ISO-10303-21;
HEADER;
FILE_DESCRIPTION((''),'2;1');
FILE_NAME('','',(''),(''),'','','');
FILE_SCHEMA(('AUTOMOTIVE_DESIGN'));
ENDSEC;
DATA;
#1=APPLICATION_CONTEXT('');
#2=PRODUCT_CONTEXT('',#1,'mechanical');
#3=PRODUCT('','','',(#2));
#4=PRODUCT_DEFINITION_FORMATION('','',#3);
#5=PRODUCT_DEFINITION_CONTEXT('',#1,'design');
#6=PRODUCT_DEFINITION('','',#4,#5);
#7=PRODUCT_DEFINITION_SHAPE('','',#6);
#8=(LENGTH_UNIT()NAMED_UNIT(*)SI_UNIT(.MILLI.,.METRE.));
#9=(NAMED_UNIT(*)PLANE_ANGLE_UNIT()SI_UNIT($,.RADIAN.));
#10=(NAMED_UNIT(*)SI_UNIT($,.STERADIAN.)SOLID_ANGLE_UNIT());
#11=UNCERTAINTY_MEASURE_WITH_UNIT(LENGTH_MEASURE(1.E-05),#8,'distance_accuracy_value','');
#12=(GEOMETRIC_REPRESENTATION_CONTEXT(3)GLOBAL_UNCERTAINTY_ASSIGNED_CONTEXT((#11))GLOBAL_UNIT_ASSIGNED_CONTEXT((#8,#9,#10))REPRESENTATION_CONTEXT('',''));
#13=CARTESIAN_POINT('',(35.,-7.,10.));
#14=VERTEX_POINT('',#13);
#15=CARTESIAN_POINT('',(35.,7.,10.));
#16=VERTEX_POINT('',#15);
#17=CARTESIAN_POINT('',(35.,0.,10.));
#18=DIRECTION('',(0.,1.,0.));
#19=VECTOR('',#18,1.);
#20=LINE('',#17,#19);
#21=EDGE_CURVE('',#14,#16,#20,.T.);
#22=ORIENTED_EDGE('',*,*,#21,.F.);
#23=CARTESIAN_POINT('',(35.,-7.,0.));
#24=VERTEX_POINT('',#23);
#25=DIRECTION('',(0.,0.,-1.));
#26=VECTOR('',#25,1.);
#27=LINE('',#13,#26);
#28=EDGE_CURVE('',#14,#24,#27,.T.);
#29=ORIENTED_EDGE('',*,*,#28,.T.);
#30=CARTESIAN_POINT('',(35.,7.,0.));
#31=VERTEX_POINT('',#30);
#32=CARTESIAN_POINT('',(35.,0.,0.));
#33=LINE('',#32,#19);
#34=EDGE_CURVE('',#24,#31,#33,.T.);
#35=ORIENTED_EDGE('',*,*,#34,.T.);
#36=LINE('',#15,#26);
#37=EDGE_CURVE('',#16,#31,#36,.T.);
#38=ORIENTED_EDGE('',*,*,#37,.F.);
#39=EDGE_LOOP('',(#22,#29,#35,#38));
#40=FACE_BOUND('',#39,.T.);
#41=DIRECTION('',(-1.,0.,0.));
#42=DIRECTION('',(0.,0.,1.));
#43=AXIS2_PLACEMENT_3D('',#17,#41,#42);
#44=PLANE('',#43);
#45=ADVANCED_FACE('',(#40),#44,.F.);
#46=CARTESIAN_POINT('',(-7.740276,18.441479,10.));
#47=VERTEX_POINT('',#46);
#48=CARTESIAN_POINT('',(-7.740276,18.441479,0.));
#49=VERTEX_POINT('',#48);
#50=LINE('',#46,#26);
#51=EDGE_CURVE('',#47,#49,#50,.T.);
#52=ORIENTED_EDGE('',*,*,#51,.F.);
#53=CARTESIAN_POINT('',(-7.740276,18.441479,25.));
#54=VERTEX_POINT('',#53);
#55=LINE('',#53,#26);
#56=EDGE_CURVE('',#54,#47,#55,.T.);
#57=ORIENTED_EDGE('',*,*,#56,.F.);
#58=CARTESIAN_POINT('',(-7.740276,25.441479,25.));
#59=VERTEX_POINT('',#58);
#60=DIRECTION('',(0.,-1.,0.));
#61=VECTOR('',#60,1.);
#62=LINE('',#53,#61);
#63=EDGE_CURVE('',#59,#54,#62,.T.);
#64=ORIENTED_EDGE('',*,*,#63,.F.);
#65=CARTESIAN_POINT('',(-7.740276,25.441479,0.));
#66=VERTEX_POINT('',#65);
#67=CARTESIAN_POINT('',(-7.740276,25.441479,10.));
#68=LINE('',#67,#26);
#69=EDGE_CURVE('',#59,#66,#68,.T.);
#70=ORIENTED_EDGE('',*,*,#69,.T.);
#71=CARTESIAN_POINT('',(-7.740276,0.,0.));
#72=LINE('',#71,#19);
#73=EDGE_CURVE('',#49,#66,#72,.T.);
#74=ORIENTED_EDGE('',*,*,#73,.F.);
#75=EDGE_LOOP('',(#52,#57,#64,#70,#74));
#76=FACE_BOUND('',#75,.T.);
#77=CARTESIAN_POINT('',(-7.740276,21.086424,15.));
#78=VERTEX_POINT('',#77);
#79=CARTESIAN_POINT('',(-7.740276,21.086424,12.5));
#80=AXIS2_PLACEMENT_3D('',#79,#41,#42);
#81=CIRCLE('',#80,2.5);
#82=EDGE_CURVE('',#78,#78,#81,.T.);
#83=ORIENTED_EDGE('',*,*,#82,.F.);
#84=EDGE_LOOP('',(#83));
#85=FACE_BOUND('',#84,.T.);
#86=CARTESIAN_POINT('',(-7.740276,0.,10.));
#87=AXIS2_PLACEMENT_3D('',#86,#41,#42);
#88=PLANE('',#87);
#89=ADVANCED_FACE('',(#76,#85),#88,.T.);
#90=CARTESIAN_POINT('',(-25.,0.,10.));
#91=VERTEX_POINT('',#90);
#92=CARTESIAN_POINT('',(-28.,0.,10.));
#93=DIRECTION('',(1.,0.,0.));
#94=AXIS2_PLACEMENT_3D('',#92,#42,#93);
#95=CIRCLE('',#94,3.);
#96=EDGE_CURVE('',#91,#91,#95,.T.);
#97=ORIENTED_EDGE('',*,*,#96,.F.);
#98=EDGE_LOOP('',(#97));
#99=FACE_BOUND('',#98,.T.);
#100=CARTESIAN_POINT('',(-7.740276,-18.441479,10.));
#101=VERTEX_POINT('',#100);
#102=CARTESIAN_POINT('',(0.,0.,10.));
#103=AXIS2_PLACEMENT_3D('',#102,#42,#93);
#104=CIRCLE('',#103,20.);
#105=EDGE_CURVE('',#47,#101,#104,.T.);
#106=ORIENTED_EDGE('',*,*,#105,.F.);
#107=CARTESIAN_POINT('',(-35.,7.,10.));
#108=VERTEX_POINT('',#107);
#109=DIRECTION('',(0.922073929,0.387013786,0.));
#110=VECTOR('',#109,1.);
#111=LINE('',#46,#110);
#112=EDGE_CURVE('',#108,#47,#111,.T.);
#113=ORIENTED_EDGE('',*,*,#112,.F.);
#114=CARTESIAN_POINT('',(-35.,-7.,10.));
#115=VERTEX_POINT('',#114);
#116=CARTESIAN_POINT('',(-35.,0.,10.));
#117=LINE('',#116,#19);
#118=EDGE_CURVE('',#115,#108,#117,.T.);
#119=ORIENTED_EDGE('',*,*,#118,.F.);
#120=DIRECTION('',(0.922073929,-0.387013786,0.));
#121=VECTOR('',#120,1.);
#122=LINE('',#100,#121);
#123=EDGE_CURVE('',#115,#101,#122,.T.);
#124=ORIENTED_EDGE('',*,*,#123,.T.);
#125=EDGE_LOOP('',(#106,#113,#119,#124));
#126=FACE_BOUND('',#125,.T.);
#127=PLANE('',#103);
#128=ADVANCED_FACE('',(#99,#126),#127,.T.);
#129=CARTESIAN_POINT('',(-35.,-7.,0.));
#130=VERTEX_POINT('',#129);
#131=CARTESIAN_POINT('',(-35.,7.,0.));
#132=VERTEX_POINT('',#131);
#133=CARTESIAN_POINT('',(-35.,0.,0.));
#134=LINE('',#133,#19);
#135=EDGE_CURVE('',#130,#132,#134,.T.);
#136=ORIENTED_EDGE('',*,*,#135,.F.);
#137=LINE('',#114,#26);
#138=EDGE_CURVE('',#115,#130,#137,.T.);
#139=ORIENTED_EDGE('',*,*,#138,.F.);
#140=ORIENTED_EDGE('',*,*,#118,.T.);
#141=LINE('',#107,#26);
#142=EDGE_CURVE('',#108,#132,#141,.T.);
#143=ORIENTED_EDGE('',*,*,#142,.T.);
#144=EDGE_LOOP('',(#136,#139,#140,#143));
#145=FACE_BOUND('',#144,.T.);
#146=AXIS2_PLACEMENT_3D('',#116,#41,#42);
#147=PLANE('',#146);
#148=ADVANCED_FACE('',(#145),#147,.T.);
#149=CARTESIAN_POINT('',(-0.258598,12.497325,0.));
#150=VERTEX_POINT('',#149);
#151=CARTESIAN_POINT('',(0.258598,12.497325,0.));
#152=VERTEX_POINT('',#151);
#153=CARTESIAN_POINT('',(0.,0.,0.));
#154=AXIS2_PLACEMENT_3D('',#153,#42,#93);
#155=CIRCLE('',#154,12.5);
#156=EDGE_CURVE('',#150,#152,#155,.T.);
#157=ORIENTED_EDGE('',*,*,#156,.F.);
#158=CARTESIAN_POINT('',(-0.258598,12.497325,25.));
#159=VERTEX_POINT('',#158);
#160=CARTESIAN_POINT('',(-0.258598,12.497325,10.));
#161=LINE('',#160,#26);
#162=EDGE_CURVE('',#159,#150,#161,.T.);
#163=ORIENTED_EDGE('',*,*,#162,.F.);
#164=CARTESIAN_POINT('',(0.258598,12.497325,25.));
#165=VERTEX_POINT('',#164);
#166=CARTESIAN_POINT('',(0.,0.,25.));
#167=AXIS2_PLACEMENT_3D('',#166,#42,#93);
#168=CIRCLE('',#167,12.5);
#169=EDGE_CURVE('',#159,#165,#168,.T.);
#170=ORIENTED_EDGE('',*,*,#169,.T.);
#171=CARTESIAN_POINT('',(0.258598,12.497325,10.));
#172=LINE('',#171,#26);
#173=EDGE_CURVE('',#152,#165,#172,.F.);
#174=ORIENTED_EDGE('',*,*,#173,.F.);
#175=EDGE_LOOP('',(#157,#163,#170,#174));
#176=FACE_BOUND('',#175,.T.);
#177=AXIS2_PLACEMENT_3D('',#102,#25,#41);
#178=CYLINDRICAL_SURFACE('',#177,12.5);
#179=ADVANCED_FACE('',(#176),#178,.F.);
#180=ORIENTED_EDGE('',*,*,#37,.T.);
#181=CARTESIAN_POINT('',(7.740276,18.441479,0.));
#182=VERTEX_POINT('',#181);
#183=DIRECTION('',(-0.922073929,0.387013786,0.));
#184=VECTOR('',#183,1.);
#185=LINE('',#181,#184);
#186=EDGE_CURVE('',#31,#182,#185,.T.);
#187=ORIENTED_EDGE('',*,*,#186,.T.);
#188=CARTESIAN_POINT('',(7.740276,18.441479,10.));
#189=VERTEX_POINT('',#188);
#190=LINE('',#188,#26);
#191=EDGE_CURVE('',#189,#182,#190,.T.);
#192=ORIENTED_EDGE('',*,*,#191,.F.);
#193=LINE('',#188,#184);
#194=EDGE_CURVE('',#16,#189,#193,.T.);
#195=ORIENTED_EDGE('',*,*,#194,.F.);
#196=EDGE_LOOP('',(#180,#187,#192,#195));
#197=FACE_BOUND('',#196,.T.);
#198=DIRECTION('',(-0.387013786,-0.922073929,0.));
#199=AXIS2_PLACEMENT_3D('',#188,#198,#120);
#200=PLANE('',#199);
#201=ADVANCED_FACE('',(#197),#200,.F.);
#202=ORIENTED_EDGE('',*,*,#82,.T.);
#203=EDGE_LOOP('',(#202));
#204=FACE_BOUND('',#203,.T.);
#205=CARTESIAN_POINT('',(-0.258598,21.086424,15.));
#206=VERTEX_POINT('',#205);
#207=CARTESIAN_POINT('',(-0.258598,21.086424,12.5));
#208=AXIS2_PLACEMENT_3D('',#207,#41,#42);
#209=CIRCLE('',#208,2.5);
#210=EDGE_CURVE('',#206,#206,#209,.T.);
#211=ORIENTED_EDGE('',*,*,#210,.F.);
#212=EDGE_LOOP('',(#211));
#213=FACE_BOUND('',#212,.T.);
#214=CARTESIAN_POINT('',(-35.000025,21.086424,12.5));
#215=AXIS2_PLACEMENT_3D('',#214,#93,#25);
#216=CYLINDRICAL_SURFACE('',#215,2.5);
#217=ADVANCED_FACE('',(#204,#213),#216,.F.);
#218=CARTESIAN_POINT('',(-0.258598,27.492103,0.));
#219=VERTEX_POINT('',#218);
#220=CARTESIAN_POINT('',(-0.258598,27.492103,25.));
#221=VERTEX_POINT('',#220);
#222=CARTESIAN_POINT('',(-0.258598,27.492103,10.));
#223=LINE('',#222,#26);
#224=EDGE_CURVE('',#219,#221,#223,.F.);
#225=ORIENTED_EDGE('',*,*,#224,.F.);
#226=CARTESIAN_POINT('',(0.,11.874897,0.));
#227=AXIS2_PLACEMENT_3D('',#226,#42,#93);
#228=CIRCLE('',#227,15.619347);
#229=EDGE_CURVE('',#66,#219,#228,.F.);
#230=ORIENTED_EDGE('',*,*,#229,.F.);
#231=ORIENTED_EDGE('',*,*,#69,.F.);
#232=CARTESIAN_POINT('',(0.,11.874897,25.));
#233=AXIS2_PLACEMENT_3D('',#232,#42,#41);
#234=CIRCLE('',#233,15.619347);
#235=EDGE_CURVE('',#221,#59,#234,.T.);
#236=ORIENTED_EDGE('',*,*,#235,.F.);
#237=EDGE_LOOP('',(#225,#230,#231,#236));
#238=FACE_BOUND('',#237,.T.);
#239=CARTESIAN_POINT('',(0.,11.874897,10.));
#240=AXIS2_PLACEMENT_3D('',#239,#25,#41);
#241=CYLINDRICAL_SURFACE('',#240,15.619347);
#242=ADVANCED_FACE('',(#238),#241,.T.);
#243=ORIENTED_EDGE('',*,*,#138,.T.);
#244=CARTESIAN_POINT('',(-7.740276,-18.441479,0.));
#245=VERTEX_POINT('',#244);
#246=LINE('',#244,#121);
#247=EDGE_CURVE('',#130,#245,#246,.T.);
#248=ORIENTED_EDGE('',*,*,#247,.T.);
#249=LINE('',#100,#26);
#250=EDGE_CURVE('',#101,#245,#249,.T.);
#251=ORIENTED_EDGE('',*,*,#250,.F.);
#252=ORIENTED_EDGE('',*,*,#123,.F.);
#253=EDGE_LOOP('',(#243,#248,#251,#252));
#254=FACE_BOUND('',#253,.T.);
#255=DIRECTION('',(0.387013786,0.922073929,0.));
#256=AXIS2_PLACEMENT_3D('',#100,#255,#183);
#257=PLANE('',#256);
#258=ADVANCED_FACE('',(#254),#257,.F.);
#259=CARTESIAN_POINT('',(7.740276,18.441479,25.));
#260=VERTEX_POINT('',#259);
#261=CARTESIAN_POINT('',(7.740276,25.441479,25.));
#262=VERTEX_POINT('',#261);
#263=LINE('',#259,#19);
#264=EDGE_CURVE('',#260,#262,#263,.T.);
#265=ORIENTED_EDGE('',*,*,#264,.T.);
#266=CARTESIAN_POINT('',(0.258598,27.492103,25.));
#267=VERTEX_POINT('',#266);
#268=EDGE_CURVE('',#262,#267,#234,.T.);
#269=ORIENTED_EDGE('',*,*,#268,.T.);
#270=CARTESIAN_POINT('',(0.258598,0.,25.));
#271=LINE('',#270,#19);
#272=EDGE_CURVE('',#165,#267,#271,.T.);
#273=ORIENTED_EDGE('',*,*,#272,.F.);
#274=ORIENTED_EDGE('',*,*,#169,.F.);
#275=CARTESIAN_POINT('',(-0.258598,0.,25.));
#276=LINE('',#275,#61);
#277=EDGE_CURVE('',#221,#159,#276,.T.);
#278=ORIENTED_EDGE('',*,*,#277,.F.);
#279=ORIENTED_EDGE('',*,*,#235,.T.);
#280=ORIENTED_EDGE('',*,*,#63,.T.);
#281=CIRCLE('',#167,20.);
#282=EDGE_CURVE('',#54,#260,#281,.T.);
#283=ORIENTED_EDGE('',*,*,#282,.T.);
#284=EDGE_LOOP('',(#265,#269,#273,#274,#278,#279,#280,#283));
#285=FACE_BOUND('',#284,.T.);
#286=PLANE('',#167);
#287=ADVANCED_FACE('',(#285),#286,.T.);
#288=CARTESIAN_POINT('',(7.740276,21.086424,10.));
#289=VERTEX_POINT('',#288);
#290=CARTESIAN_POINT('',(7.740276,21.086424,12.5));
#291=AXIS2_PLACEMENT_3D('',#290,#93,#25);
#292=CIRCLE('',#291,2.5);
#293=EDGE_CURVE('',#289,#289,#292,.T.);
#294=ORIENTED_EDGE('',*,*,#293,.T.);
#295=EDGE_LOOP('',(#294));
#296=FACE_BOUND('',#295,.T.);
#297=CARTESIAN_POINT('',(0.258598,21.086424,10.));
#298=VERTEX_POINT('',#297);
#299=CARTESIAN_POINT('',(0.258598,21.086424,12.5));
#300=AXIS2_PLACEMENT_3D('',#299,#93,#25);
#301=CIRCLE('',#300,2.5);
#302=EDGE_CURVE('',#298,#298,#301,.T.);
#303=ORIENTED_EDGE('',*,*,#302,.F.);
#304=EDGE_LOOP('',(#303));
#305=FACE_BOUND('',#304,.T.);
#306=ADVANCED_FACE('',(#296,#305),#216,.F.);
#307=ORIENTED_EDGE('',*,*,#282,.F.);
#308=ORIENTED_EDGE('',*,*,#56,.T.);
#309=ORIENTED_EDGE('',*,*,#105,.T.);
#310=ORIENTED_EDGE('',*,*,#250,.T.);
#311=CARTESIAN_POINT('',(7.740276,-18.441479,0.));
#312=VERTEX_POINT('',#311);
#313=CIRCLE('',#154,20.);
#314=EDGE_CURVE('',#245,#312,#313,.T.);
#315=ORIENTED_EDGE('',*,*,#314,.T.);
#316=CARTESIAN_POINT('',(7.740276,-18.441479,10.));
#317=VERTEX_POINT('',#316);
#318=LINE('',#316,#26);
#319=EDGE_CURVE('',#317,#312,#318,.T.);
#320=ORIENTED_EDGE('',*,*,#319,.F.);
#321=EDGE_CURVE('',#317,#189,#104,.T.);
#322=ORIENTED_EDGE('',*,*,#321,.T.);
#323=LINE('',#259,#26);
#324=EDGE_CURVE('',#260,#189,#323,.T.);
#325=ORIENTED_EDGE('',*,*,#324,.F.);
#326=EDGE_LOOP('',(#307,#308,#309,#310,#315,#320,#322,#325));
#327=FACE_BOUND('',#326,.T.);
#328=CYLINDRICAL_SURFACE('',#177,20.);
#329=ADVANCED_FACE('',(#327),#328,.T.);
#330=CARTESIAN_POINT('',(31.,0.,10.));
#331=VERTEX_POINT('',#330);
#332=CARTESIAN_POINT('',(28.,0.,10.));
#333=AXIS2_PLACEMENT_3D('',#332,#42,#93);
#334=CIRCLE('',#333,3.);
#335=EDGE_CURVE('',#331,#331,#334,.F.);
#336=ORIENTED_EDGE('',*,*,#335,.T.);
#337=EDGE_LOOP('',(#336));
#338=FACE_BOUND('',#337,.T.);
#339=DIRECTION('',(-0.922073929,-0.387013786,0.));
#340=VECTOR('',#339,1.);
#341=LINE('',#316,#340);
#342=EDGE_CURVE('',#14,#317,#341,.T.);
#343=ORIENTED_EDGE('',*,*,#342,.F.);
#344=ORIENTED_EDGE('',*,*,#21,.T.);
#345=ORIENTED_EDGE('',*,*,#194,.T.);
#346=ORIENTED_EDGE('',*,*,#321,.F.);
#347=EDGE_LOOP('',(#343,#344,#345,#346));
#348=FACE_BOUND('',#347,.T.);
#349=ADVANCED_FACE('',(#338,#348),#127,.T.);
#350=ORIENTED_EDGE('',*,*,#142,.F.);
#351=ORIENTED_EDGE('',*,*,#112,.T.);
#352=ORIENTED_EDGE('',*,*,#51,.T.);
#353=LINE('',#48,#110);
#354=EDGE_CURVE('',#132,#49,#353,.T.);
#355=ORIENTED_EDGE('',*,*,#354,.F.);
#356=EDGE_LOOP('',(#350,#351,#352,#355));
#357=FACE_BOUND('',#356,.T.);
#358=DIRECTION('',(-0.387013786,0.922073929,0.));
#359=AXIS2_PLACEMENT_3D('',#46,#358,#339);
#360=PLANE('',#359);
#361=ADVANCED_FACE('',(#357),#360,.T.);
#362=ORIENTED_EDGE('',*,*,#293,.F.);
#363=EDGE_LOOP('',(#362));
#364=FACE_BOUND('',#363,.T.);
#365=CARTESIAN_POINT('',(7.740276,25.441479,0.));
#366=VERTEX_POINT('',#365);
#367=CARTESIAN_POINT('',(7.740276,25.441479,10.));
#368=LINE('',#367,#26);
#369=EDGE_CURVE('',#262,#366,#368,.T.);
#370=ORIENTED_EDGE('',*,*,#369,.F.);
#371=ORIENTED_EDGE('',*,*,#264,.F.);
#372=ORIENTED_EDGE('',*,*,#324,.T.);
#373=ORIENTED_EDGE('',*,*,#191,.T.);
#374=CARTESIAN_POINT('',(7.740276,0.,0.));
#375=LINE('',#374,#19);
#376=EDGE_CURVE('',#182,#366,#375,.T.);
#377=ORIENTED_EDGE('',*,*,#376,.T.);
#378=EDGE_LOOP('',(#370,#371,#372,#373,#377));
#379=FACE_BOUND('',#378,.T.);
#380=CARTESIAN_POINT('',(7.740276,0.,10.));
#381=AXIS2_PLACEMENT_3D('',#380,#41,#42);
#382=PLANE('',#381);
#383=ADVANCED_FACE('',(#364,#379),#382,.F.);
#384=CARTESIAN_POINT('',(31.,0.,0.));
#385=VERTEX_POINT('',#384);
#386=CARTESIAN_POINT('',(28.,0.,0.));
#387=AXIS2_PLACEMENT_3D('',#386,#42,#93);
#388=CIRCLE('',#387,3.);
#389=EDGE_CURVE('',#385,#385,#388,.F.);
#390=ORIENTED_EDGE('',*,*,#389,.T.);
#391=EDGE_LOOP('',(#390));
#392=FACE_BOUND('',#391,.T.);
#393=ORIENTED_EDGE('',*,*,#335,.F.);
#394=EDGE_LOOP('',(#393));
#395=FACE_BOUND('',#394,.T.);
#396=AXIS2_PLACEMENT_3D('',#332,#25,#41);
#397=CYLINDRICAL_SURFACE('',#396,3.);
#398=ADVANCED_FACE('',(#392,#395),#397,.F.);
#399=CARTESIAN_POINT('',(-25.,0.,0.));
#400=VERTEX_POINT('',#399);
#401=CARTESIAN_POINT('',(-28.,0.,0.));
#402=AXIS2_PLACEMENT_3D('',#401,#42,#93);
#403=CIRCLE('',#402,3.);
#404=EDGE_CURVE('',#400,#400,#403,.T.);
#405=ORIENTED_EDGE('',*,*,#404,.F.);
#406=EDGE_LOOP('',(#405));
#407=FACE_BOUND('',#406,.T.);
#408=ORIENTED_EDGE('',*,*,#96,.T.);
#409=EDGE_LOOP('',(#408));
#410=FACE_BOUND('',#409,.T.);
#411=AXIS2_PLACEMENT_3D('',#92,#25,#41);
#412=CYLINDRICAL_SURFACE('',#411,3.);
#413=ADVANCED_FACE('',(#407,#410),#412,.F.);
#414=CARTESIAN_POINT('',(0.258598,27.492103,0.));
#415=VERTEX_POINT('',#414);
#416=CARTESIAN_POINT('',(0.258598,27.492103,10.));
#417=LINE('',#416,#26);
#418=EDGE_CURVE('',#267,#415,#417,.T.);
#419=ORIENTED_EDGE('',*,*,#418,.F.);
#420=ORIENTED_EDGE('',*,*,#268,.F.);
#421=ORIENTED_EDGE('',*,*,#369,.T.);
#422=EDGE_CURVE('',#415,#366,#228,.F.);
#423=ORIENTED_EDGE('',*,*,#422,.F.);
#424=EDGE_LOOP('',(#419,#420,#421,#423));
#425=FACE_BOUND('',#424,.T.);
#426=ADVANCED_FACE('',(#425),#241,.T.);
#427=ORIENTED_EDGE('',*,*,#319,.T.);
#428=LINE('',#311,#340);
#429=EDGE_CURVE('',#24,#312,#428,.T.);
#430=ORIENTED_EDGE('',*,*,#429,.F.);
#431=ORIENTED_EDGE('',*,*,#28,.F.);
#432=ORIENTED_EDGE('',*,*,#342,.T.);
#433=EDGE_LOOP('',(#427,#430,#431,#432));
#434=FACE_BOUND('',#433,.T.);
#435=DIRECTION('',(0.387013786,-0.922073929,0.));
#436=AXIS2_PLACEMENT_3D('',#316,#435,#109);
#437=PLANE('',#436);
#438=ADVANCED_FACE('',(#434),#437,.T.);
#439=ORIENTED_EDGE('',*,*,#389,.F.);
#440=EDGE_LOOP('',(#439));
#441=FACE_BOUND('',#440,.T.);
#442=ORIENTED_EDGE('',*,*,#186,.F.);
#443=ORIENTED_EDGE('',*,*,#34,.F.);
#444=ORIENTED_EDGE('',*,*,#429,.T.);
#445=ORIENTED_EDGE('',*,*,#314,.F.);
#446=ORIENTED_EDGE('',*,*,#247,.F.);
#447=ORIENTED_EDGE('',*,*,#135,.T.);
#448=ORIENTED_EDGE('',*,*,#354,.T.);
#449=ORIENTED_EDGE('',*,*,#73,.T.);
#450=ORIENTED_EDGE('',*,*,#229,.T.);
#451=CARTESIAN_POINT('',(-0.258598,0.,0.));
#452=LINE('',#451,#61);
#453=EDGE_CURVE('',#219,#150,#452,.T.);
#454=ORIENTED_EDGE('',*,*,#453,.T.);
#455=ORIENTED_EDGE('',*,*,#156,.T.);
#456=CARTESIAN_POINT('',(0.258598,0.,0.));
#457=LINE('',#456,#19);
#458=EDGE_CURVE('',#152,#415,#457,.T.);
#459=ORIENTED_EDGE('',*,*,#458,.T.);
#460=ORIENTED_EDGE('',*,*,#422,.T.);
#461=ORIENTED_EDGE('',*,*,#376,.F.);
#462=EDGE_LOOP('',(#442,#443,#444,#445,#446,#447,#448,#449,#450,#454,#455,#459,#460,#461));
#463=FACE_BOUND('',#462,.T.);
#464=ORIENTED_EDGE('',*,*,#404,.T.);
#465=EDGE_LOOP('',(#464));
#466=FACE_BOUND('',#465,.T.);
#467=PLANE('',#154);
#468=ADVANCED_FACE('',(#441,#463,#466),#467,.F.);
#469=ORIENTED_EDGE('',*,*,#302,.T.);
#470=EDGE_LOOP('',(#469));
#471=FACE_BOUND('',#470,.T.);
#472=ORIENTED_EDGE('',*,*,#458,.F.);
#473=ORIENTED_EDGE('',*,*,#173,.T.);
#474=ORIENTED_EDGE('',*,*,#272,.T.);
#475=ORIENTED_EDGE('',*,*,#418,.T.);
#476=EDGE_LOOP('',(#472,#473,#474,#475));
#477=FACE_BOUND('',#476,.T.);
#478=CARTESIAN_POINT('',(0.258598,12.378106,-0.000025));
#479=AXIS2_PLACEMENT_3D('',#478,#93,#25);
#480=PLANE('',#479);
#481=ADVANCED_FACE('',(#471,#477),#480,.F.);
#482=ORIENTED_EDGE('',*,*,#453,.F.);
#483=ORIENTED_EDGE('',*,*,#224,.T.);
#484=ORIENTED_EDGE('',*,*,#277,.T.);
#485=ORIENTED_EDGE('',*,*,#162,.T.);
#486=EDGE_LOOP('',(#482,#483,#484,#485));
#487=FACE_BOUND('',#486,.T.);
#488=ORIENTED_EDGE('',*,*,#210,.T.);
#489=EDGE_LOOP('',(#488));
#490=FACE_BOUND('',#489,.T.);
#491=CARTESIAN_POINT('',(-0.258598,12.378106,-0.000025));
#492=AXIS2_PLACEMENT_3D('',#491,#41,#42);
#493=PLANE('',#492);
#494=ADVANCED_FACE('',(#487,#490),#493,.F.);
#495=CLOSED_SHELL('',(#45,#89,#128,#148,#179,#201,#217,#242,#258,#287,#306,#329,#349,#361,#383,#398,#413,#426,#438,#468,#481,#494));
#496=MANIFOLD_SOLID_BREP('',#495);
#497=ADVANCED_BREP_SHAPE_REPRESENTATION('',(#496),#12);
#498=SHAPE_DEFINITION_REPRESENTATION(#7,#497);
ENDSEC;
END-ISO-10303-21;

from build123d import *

# Parameters (mm, degrees)
SKETCH_1_R          = 3
SKETCH_1_R_2        = 12.5
EXTRUDE_2_DEPTH     = 10
SKETCH_2_R          = 12.5
EXTRUDE_3_DEPTH     = 15
SKETCH_3_W          = 0.517195108
SKETCH_3_H          = 18.726193104
CUT_EXTRUDE_1_DEPTH = 26
SKETCH_4_R          = 2.5
CUT_EXTRUDE_2_DEPTH = 43.740275714


with BuildPart() as part:
    # 草图1 → 凸台-拉伸2 (new body)
    with BuildSketch(Plane.XY):
        with BuildLine():
            Line((-35, -7), (-7.740275714, -18.44147857))
            ThreePointArc((-7.740275714, -18.44147857), (0, -20), (7.740275714, -18.44147857))
            Line((7.740275714, -18.44147857), (35, -7))
            Line((35, -7), (35, 7))
            Line((35, 7), (7.740275714, 18.44147857))
            Line((7.740275714, 18.44147857), (7.740275714, 25.44147857))
            ThreePointArc((7.740275714, 25.44147857), (0, 27.494244152), (-7.740275714, 25.44147857))
            Line((-7.740275714, 25.44147857), (-7.740275714, 18.44147857))
            Line((-7.740275714, 18.44147857), (-35, 7))
            Line((-35, 7), (-35, -7))
        make_face()
        with Locations((-28, 0)):
            Circle(SKETCH_1_R, mode=Mode.SUBTRACT)
        Circle(SKETCH_1_R_2, mode=Mode.SUBTRACT)
        with Locations((28, 0)):
            Circle(SKETCH_1_R, mode=Mode.SUBTRACT)
    extrude(amount=EXTRUDE_2_DEPTH)

    # 草图2 → 凸台-拉伸3 (add)
    with BuildSketch(Plane.XY.offset(10)):
        with BuildLine():
            Line((-7.740275714, 18.44147857), (-7.740275714, 25.44147857))
            ThreePointArc((-7.740275714, 25.44147857), (0, 27.494244152), (7.740275714, 25.44147857))
            Line((7.740275714, 25.44147857), (7.740275714, 18.44147857))
            ThreePointArc((7.740275714, 18.44147857), (0, -20), (-7.740275714, 18.44147857))
        make_face()
        Circle(SKETCH_2_R, mode=Mode.SUBTRACT)
    extrude(amount=EXTRUDE_3_DEPTH)

    # 草图3 → 切除-拉伸1 (cut, through all)
    with BuildSketch(Plane.XY.offset(25)):
        with Locations((0, 21.741202931)):
            Rectangle(SKETCH_3_W, SKETCH_3_H)
    extrude(amount=-CUT_EXTRUDE_1_DEPTH, mode=Mode.SUBTRACT)

    # 草图4 → 切除-拉伸2 (cut, through all)
    with BuildSketch(Plane(origin=(7.740275714, 0, 0), x_dir=(0, 0, -1), z_dir=(1, 0, 0))):
        with Locations((-12.5, 21.086423576)):
            Circle(SKETCH_4_R)
    extrude(amount=-CUT_EXTRUDE_2_DEPTH, mode=Mode.SUBTRACT)


solid = part.part
